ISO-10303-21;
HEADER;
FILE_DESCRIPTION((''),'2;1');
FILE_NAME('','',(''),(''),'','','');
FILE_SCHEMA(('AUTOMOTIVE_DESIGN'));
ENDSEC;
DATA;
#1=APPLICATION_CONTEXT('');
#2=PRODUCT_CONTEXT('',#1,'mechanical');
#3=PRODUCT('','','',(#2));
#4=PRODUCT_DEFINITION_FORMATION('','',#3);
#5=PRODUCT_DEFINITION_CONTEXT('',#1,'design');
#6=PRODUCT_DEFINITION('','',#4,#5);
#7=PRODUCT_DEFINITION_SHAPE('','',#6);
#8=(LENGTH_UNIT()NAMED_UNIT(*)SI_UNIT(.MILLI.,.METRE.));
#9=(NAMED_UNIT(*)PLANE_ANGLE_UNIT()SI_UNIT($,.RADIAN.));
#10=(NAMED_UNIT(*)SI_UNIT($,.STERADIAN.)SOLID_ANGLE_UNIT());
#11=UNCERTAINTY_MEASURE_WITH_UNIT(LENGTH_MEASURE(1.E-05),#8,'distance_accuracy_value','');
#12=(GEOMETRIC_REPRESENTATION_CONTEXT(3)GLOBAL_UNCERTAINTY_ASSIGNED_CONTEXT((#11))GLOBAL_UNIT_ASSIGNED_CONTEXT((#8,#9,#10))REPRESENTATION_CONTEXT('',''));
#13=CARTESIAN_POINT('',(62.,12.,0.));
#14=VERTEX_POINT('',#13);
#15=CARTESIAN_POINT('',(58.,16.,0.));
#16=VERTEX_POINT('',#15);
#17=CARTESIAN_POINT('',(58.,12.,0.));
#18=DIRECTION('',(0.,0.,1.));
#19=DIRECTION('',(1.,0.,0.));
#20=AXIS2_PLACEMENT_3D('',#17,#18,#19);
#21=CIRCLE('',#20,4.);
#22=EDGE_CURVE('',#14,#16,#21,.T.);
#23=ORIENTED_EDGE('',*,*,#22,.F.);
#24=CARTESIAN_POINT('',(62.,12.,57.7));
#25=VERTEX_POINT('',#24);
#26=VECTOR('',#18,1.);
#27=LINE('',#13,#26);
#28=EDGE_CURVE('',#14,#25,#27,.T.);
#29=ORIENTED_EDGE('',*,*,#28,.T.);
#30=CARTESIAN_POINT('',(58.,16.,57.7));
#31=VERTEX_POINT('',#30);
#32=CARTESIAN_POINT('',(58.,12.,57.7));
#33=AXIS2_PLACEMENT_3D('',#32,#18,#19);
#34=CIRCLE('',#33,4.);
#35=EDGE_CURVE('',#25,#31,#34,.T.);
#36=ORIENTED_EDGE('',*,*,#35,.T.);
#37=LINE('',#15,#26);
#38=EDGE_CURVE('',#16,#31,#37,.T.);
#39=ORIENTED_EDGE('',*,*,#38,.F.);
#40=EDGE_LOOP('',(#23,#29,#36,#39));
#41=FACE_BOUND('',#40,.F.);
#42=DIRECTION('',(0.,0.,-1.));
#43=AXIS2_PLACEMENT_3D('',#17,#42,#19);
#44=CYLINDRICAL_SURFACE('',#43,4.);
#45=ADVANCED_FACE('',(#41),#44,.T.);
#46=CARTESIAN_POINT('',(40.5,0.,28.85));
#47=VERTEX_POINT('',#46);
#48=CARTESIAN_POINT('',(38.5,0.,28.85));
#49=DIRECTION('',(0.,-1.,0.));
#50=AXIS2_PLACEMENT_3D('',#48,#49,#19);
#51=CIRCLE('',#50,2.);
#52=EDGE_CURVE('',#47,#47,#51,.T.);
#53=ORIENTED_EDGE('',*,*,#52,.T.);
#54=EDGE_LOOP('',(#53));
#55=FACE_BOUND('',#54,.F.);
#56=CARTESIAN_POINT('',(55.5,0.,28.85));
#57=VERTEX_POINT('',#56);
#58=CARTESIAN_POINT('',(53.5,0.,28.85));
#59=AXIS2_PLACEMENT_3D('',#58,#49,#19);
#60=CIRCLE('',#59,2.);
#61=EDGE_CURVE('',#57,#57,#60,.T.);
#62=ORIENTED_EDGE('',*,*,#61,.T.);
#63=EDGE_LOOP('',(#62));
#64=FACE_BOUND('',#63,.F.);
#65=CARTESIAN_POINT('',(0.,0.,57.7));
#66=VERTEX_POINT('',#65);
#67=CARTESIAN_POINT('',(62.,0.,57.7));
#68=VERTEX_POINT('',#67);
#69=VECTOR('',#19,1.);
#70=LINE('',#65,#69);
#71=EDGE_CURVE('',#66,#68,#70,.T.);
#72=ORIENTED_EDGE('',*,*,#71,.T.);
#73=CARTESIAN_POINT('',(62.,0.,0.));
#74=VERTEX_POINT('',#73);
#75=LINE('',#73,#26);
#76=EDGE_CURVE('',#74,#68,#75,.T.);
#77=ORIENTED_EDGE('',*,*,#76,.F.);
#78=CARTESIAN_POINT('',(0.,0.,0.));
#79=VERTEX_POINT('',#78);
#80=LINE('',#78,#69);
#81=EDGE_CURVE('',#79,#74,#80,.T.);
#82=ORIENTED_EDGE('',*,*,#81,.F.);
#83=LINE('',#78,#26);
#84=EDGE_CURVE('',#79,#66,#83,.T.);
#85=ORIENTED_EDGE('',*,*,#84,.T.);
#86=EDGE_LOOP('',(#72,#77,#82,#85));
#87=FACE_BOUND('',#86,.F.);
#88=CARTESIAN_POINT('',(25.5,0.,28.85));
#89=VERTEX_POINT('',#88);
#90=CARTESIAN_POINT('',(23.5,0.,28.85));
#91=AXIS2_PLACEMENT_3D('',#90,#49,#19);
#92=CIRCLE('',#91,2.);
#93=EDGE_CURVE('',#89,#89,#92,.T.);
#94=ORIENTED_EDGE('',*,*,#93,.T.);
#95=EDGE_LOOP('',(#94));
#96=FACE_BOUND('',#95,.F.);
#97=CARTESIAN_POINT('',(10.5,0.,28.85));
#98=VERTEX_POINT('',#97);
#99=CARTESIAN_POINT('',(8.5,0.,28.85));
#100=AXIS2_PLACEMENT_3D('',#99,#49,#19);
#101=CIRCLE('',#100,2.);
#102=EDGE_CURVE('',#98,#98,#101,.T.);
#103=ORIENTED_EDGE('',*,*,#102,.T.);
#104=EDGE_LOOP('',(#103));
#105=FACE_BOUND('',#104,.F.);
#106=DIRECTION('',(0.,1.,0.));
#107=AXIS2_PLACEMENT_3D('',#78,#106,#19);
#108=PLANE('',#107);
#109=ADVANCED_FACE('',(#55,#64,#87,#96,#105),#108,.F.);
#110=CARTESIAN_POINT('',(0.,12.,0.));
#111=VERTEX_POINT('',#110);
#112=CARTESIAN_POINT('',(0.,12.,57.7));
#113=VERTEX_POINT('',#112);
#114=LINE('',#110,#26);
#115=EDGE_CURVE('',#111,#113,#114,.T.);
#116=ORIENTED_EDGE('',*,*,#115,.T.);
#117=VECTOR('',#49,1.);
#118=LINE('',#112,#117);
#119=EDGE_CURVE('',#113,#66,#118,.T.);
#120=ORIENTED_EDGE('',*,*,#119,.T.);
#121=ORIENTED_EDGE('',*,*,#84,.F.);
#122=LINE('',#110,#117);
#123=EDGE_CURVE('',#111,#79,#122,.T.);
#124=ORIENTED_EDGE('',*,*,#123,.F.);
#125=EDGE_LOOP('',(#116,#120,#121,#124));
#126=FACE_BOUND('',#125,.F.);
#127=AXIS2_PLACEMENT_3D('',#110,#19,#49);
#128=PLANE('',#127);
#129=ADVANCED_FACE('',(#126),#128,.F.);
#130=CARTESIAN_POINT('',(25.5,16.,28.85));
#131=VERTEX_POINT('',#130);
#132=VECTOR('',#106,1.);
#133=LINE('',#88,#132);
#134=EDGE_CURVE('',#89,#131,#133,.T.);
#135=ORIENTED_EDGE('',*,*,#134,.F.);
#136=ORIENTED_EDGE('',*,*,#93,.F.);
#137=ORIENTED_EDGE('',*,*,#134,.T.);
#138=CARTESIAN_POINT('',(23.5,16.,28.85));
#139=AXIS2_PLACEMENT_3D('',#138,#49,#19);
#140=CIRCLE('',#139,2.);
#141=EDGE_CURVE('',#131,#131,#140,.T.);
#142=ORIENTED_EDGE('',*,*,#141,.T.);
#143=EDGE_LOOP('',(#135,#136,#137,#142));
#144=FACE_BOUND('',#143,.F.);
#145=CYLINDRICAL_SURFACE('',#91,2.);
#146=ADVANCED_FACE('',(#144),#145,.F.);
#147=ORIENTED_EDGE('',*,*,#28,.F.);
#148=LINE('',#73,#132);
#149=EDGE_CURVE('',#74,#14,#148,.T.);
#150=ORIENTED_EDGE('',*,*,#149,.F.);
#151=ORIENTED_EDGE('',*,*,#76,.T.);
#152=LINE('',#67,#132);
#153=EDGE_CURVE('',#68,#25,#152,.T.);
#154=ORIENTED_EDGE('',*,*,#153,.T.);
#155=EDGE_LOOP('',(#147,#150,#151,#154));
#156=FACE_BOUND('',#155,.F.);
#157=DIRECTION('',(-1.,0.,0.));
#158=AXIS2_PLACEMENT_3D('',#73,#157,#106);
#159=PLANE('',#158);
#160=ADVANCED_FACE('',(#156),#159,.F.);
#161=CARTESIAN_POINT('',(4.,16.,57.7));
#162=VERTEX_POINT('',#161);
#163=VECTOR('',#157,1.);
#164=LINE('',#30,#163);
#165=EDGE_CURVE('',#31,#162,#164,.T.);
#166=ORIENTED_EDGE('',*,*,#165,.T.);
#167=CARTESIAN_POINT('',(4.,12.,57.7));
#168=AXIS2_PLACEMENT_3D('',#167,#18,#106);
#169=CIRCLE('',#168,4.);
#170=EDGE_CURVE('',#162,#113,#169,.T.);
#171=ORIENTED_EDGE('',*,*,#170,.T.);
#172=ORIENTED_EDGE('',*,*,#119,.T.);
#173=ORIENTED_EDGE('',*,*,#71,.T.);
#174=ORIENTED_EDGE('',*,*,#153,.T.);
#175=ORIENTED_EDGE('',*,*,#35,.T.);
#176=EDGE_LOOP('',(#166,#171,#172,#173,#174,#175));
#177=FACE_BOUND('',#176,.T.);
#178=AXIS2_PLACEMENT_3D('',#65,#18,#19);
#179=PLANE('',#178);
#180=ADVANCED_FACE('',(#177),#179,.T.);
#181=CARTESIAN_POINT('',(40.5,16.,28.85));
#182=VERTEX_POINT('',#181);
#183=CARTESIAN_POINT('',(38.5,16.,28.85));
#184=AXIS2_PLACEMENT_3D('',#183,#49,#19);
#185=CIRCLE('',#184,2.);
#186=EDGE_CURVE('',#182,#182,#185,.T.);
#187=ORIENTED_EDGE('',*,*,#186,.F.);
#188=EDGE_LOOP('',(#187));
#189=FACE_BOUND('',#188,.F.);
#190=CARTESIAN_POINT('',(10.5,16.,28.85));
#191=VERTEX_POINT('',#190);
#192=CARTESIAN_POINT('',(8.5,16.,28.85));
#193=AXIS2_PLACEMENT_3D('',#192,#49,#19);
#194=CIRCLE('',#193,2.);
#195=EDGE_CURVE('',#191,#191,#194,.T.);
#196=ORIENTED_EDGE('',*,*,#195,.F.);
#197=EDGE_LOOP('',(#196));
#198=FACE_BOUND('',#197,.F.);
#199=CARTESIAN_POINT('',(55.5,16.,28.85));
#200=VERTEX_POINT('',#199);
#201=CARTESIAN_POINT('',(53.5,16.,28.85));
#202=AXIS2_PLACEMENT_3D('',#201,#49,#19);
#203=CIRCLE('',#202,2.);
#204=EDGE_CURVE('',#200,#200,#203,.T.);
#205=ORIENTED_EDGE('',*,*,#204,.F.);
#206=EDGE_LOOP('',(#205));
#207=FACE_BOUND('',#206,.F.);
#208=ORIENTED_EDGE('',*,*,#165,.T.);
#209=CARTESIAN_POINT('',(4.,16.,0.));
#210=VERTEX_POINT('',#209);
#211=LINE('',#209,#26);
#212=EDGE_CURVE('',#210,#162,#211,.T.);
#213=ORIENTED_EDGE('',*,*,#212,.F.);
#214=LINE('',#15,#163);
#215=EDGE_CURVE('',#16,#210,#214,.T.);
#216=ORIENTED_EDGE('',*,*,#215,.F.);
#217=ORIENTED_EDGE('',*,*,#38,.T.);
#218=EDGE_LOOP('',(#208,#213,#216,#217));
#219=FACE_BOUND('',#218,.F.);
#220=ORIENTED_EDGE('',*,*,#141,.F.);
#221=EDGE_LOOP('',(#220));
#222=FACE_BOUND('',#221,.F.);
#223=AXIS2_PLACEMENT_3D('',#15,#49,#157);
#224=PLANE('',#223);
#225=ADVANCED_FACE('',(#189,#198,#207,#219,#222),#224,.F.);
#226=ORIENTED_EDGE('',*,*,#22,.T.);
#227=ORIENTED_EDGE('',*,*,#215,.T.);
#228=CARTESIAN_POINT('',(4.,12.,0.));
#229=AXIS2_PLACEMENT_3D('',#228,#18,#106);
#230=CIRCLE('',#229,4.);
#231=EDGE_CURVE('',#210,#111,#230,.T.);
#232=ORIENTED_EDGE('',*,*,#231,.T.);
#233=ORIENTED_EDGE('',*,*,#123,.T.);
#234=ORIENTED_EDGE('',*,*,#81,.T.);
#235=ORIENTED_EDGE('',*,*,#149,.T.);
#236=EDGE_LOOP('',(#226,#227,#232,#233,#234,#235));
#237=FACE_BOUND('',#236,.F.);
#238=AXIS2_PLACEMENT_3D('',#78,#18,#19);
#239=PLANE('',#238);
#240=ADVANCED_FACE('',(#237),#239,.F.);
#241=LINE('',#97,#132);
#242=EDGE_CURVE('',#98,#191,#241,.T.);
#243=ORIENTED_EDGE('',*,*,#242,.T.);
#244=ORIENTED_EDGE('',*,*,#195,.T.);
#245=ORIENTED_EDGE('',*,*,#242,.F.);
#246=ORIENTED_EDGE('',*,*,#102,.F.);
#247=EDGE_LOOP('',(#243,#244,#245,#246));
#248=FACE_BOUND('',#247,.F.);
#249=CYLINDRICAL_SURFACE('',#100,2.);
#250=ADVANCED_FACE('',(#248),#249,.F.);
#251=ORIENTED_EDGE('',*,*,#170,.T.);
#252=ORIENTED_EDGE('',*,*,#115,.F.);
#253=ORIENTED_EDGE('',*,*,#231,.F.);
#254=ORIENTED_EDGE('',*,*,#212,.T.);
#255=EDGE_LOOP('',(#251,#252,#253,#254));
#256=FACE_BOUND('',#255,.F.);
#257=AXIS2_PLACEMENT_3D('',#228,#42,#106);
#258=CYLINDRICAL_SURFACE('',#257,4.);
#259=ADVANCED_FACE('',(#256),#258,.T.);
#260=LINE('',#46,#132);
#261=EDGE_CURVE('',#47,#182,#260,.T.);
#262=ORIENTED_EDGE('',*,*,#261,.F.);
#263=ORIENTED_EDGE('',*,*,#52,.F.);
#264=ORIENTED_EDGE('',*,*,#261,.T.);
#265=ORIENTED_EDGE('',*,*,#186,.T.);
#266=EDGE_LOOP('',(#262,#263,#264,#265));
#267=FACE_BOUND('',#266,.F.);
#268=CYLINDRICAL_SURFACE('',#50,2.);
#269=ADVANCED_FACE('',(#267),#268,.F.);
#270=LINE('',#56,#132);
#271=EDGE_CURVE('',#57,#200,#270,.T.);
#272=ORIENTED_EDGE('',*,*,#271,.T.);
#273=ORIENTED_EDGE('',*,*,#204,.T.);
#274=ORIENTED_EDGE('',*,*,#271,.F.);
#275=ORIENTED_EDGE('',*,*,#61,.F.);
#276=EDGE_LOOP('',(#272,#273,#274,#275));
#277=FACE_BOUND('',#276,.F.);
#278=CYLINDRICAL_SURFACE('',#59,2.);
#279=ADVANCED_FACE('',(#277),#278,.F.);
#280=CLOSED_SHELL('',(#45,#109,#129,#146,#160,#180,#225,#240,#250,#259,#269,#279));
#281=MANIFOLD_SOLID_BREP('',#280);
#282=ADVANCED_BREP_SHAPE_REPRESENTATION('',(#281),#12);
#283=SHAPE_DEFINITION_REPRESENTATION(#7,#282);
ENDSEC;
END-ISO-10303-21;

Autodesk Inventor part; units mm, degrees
ref_plane "YZ Plane" through (0, 0, 0) normal (1, 0, 0) x (0, 1, 0)
ref_plane "XZ Plane" through (0, 0, 0) normal (0, 1, 0) x (-1, 0, 0)
ref_plane "XY Plane" through (0, 0, 0) normal (0, 0, 1) x (1, 0, 0)
sketch "Sketch1" plane through (0, 0, 0) normal (0, 0, 1) x (1, 0, 0)
  line L0 (0, 0) -> (62, 0)
  line L1 (62, 0) -> (62, 12)
  line L2 (58, 16) -> (4, 16)
  line L3 (0, 12) -> (0, 0)
  arc A0 (4, 16) -> (0, 12) centre (4, 12) ccw
  arc A1 (62, 12) -> (58, 16) centre (58, 12) ccw
  point P0 (0, 16)
  dimension "d0" = 16
  dimension "d1" = 62
  dimension "d2" = 4
extrude "Extrusion1" add sketch "Sketch1" along normal blind 57.7
sketch "Sketch2" plane through (0, 0, 0) normal (0, -1, 0) x (1, 0, 0)
  line L0 (62, 0) -> (62, 57.7) projected
  line L1 (62, 28.85) -> (0, 28.85) construction
  line L2 (0, 0) -> (0, 57.7) projected
  circle A0 centre (31, 28.85) radius 22.5 construction
  circle A1 centre (53.5, 28.85) radius 2
  circle A2 centre (8.5, 28.85) radius 2
  circle A3 centre (31, 28.85) radius 7.5 construction
  circle A4 centre (38.5, 28.85) radius 2
  circle A5 centre (23.5, 28.85) radius 2
  dimension "d5" = 45
  dimension "d8" = 4
  dimension "d9" = 15
extrude "Extrusion2" cut sketch "Sketch2" against normal through all
properties part number "4aa-holder"
